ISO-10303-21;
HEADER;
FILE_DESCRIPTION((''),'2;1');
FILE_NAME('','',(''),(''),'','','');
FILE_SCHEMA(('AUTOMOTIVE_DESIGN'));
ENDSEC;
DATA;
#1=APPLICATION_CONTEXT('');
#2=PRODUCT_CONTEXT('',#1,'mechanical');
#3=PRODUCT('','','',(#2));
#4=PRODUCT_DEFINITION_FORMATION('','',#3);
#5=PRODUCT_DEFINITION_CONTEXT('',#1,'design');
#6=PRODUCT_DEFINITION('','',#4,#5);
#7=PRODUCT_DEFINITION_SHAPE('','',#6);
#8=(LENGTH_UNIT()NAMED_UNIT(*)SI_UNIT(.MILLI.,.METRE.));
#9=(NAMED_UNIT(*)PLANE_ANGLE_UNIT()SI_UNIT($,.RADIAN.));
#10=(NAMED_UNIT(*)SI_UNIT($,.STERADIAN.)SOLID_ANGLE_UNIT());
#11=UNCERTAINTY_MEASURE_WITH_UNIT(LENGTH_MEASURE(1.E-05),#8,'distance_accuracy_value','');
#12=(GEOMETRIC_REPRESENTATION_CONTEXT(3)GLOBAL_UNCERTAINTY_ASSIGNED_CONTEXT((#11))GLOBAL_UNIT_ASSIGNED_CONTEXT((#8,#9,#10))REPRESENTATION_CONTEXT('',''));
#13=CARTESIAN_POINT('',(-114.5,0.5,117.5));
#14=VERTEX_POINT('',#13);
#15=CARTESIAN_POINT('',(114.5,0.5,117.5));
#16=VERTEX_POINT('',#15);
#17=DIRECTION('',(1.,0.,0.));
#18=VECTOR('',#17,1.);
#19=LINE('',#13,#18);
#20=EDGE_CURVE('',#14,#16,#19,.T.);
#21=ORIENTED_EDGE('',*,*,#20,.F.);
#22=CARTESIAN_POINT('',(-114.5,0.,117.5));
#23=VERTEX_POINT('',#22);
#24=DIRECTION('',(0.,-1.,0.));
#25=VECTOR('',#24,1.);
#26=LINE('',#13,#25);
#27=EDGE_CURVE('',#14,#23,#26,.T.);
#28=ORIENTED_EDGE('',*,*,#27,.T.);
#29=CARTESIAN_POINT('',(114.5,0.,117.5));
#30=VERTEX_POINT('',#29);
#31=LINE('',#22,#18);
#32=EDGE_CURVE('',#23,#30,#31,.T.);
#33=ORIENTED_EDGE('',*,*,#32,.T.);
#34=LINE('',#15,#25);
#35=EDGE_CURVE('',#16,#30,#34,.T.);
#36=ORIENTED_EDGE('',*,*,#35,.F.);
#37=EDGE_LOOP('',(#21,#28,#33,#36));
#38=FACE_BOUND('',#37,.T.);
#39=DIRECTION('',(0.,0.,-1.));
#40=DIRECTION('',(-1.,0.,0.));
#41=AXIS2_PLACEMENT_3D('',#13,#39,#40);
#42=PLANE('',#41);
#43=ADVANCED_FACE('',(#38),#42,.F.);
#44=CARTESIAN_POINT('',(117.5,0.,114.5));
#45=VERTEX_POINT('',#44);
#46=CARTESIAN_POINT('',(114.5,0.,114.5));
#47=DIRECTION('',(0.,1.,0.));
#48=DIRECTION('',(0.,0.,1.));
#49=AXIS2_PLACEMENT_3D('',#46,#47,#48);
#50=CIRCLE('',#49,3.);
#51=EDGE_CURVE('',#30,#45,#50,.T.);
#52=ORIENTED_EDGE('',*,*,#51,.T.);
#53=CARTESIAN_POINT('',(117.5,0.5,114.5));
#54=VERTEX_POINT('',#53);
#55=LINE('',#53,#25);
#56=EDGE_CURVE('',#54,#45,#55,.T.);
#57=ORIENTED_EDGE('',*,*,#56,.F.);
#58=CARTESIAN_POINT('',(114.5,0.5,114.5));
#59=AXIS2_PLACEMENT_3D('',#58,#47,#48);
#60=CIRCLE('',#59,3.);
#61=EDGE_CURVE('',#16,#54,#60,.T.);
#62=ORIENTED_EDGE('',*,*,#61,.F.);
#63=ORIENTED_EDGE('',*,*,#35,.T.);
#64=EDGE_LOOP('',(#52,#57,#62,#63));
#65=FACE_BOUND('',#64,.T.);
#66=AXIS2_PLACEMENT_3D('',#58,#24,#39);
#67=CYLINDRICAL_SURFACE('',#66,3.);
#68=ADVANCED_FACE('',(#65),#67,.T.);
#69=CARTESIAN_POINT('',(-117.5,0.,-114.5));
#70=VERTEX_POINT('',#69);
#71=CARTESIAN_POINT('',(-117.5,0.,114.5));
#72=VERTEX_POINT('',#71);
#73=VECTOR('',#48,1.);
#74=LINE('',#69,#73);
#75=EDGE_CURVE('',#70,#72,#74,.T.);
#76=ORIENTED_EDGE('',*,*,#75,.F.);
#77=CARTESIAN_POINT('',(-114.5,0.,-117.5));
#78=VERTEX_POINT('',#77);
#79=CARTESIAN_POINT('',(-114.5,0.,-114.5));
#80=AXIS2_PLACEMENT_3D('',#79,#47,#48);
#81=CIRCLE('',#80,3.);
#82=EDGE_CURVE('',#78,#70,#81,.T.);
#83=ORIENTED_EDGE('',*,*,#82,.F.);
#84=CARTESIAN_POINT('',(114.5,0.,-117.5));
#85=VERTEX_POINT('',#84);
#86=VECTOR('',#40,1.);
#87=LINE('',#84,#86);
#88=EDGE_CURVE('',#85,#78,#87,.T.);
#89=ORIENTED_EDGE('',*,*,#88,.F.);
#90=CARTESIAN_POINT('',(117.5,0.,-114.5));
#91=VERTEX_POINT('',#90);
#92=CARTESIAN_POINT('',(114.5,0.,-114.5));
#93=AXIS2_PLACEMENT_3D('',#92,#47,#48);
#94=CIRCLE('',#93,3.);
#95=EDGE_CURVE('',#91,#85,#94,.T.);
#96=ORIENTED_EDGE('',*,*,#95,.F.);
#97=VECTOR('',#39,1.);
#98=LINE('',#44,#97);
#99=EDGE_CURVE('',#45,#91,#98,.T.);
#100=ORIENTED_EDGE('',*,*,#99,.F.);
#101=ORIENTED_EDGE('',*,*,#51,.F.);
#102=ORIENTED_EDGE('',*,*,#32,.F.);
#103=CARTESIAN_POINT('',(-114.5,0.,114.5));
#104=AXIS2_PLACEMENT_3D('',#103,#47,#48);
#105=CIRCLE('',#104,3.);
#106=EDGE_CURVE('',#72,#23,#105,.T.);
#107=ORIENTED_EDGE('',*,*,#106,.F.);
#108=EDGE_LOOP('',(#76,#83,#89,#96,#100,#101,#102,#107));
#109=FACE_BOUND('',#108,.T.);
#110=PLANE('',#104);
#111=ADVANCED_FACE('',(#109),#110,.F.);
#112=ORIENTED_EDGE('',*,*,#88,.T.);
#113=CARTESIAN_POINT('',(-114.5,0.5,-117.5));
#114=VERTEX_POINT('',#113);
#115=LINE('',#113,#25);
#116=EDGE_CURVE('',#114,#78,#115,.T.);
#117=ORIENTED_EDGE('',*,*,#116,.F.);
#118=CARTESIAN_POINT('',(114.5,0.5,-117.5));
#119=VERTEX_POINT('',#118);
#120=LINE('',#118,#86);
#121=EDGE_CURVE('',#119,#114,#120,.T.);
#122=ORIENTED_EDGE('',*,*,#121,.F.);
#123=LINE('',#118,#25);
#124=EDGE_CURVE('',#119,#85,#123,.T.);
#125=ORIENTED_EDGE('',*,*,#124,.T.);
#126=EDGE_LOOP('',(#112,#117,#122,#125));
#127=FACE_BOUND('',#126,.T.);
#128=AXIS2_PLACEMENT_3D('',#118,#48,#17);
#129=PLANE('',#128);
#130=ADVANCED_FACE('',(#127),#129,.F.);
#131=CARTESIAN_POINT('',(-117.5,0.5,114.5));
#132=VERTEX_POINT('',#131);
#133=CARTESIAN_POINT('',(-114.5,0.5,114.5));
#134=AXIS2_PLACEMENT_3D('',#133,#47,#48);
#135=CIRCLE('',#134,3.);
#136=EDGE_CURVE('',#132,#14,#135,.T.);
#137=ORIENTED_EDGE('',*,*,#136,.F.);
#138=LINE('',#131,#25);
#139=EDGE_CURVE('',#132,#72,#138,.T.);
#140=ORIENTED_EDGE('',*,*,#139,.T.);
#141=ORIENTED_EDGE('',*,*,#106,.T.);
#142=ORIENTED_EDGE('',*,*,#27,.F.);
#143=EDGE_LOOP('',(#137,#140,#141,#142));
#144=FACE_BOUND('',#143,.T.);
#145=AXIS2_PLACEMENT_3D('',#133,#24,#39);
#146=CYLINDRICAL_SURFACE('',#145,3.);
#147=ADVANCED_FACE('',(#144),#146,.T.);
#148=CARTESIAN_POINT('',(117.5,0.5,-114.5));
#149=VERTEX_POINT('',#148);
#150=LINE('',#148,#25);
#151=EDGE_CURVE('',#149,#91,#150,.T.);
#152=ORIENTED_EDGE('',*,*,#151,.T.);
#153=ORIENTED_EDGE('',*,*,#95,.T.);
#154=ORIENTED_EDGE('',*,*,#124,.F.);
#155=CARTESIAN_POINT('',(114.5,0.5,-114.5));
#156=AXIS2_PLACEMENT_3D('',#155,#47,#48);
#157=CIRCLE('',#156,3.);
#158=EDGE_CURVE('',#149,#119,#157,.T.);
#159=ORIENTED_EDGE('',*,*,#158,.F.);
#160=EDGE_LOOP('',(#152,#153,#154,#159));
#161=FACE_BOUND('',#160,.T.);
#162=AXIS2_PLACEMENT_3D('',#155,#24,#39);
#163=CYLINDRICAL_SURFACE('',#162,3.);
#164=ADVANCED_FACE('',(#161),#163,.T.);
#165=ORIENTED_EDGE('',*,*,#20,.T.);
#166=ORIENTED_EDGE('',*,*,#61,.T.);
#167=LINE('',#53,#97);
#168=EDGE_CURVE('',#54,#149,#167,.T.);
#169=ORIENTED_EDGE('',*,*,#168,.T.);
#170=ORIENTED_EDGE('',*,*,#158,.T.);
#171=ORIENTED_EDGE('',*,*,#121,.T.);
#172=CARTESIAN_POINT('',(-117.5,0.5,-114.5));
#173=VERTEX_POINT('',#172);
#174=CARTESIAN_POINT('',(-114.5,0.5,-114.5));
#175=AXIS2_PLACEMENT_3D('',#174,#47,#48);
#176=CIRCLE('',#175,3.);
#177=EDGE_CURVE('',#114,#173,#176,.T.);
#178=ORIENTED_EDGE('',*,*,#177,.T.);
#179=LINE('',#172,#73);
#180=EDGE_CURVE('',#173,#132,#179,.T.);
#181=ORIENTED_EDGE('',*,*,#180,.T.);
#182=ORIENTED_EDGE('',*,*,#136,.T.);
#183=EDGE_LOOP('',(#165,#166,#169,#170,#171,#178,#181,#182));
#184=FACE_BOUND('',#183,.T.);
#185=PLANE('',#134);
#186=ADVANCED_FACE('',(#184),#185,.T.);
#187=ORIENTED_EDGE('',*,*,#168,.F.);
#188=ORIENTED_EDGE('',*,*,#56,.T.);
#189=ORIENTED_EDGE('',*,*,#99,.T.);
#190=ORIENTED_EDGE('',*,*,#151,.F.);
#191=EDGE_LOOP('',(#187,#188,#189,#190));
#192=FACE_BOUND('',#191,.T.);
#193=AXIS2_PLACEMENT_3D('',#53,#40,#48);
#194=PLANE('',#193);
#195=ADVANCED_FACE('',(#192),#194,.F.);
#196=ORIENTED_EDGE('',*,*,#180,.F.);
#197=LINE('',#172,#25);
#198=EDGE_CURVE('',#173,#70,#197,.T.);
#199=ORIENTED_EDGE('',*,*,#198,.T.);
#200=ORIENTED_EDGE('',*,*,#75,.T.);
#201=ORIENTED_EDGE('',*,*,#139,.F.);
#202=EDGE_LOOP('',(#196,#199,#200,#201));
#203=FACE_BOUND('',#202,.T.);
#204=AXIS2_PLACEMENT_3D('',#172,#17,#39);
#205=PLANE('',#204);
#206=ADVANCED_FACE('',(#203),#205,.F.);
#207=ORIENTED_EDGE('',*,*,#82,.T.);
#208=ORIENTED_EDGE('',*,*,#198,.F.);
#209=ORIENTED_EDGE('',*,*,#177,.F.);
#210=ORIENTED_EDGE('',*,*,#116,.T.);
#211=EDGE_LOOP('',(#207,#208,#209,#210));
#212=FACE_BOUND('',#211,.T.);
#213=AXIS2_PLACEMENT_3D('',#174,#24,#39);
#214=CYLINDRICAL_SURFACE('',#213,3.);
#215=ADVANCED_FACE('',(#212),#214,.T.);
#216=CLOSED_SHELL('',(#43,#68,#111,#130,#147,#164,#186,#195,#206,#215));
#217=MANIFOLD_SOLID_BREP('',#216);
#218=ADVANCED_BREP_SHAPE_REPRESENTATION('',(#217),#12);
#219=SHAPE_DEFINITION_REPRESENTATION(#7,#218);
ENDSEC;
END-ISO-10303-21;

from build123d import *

# Parameters (mm, degrees)
AUFSATZ_LINEAR_AUSTRAGEN1_DEPTH = 0.5


with BuildPart() as part:
    # Skizze1 → Aufsatz-Linear austragen1 (new body)
    with BuildSketch(Plane(origin=(0, 0, 0), x_dir=(1, 0, 0), z_dir=(0, 1, 0))):
        with BuildLine():
            Line((-114.5, -117.5), (114.5, -117.5))
            ThreePointArc((114.5, -117.5), (116.621320344, -116.621320344), (117.5, -114.5))
            Line((117.5, -114.5), (117.5, 114.5))
            ThreePointArc((117.5, 114.5), (116.621320344, 116.621320344), (114.5, 117.5))
            Line((114.5, 117.5), (-114.5, 117.5))
            ThreePointArc((-114.5, 117.5), (-116.621320344, 116.621320344), (-117.5, 114.5))
            Line((-117.5, 114.5), (-117.5, -114.5))
            ThreePointArc((-117.5, -114.5), (-116.621320344, -116.621320344), (-114.5, -117.5))
        make_face()
    extrude(amount=AUFSATZ_LINEAR_AUSTRAGEN1_DEPTH)


solid = part.part
